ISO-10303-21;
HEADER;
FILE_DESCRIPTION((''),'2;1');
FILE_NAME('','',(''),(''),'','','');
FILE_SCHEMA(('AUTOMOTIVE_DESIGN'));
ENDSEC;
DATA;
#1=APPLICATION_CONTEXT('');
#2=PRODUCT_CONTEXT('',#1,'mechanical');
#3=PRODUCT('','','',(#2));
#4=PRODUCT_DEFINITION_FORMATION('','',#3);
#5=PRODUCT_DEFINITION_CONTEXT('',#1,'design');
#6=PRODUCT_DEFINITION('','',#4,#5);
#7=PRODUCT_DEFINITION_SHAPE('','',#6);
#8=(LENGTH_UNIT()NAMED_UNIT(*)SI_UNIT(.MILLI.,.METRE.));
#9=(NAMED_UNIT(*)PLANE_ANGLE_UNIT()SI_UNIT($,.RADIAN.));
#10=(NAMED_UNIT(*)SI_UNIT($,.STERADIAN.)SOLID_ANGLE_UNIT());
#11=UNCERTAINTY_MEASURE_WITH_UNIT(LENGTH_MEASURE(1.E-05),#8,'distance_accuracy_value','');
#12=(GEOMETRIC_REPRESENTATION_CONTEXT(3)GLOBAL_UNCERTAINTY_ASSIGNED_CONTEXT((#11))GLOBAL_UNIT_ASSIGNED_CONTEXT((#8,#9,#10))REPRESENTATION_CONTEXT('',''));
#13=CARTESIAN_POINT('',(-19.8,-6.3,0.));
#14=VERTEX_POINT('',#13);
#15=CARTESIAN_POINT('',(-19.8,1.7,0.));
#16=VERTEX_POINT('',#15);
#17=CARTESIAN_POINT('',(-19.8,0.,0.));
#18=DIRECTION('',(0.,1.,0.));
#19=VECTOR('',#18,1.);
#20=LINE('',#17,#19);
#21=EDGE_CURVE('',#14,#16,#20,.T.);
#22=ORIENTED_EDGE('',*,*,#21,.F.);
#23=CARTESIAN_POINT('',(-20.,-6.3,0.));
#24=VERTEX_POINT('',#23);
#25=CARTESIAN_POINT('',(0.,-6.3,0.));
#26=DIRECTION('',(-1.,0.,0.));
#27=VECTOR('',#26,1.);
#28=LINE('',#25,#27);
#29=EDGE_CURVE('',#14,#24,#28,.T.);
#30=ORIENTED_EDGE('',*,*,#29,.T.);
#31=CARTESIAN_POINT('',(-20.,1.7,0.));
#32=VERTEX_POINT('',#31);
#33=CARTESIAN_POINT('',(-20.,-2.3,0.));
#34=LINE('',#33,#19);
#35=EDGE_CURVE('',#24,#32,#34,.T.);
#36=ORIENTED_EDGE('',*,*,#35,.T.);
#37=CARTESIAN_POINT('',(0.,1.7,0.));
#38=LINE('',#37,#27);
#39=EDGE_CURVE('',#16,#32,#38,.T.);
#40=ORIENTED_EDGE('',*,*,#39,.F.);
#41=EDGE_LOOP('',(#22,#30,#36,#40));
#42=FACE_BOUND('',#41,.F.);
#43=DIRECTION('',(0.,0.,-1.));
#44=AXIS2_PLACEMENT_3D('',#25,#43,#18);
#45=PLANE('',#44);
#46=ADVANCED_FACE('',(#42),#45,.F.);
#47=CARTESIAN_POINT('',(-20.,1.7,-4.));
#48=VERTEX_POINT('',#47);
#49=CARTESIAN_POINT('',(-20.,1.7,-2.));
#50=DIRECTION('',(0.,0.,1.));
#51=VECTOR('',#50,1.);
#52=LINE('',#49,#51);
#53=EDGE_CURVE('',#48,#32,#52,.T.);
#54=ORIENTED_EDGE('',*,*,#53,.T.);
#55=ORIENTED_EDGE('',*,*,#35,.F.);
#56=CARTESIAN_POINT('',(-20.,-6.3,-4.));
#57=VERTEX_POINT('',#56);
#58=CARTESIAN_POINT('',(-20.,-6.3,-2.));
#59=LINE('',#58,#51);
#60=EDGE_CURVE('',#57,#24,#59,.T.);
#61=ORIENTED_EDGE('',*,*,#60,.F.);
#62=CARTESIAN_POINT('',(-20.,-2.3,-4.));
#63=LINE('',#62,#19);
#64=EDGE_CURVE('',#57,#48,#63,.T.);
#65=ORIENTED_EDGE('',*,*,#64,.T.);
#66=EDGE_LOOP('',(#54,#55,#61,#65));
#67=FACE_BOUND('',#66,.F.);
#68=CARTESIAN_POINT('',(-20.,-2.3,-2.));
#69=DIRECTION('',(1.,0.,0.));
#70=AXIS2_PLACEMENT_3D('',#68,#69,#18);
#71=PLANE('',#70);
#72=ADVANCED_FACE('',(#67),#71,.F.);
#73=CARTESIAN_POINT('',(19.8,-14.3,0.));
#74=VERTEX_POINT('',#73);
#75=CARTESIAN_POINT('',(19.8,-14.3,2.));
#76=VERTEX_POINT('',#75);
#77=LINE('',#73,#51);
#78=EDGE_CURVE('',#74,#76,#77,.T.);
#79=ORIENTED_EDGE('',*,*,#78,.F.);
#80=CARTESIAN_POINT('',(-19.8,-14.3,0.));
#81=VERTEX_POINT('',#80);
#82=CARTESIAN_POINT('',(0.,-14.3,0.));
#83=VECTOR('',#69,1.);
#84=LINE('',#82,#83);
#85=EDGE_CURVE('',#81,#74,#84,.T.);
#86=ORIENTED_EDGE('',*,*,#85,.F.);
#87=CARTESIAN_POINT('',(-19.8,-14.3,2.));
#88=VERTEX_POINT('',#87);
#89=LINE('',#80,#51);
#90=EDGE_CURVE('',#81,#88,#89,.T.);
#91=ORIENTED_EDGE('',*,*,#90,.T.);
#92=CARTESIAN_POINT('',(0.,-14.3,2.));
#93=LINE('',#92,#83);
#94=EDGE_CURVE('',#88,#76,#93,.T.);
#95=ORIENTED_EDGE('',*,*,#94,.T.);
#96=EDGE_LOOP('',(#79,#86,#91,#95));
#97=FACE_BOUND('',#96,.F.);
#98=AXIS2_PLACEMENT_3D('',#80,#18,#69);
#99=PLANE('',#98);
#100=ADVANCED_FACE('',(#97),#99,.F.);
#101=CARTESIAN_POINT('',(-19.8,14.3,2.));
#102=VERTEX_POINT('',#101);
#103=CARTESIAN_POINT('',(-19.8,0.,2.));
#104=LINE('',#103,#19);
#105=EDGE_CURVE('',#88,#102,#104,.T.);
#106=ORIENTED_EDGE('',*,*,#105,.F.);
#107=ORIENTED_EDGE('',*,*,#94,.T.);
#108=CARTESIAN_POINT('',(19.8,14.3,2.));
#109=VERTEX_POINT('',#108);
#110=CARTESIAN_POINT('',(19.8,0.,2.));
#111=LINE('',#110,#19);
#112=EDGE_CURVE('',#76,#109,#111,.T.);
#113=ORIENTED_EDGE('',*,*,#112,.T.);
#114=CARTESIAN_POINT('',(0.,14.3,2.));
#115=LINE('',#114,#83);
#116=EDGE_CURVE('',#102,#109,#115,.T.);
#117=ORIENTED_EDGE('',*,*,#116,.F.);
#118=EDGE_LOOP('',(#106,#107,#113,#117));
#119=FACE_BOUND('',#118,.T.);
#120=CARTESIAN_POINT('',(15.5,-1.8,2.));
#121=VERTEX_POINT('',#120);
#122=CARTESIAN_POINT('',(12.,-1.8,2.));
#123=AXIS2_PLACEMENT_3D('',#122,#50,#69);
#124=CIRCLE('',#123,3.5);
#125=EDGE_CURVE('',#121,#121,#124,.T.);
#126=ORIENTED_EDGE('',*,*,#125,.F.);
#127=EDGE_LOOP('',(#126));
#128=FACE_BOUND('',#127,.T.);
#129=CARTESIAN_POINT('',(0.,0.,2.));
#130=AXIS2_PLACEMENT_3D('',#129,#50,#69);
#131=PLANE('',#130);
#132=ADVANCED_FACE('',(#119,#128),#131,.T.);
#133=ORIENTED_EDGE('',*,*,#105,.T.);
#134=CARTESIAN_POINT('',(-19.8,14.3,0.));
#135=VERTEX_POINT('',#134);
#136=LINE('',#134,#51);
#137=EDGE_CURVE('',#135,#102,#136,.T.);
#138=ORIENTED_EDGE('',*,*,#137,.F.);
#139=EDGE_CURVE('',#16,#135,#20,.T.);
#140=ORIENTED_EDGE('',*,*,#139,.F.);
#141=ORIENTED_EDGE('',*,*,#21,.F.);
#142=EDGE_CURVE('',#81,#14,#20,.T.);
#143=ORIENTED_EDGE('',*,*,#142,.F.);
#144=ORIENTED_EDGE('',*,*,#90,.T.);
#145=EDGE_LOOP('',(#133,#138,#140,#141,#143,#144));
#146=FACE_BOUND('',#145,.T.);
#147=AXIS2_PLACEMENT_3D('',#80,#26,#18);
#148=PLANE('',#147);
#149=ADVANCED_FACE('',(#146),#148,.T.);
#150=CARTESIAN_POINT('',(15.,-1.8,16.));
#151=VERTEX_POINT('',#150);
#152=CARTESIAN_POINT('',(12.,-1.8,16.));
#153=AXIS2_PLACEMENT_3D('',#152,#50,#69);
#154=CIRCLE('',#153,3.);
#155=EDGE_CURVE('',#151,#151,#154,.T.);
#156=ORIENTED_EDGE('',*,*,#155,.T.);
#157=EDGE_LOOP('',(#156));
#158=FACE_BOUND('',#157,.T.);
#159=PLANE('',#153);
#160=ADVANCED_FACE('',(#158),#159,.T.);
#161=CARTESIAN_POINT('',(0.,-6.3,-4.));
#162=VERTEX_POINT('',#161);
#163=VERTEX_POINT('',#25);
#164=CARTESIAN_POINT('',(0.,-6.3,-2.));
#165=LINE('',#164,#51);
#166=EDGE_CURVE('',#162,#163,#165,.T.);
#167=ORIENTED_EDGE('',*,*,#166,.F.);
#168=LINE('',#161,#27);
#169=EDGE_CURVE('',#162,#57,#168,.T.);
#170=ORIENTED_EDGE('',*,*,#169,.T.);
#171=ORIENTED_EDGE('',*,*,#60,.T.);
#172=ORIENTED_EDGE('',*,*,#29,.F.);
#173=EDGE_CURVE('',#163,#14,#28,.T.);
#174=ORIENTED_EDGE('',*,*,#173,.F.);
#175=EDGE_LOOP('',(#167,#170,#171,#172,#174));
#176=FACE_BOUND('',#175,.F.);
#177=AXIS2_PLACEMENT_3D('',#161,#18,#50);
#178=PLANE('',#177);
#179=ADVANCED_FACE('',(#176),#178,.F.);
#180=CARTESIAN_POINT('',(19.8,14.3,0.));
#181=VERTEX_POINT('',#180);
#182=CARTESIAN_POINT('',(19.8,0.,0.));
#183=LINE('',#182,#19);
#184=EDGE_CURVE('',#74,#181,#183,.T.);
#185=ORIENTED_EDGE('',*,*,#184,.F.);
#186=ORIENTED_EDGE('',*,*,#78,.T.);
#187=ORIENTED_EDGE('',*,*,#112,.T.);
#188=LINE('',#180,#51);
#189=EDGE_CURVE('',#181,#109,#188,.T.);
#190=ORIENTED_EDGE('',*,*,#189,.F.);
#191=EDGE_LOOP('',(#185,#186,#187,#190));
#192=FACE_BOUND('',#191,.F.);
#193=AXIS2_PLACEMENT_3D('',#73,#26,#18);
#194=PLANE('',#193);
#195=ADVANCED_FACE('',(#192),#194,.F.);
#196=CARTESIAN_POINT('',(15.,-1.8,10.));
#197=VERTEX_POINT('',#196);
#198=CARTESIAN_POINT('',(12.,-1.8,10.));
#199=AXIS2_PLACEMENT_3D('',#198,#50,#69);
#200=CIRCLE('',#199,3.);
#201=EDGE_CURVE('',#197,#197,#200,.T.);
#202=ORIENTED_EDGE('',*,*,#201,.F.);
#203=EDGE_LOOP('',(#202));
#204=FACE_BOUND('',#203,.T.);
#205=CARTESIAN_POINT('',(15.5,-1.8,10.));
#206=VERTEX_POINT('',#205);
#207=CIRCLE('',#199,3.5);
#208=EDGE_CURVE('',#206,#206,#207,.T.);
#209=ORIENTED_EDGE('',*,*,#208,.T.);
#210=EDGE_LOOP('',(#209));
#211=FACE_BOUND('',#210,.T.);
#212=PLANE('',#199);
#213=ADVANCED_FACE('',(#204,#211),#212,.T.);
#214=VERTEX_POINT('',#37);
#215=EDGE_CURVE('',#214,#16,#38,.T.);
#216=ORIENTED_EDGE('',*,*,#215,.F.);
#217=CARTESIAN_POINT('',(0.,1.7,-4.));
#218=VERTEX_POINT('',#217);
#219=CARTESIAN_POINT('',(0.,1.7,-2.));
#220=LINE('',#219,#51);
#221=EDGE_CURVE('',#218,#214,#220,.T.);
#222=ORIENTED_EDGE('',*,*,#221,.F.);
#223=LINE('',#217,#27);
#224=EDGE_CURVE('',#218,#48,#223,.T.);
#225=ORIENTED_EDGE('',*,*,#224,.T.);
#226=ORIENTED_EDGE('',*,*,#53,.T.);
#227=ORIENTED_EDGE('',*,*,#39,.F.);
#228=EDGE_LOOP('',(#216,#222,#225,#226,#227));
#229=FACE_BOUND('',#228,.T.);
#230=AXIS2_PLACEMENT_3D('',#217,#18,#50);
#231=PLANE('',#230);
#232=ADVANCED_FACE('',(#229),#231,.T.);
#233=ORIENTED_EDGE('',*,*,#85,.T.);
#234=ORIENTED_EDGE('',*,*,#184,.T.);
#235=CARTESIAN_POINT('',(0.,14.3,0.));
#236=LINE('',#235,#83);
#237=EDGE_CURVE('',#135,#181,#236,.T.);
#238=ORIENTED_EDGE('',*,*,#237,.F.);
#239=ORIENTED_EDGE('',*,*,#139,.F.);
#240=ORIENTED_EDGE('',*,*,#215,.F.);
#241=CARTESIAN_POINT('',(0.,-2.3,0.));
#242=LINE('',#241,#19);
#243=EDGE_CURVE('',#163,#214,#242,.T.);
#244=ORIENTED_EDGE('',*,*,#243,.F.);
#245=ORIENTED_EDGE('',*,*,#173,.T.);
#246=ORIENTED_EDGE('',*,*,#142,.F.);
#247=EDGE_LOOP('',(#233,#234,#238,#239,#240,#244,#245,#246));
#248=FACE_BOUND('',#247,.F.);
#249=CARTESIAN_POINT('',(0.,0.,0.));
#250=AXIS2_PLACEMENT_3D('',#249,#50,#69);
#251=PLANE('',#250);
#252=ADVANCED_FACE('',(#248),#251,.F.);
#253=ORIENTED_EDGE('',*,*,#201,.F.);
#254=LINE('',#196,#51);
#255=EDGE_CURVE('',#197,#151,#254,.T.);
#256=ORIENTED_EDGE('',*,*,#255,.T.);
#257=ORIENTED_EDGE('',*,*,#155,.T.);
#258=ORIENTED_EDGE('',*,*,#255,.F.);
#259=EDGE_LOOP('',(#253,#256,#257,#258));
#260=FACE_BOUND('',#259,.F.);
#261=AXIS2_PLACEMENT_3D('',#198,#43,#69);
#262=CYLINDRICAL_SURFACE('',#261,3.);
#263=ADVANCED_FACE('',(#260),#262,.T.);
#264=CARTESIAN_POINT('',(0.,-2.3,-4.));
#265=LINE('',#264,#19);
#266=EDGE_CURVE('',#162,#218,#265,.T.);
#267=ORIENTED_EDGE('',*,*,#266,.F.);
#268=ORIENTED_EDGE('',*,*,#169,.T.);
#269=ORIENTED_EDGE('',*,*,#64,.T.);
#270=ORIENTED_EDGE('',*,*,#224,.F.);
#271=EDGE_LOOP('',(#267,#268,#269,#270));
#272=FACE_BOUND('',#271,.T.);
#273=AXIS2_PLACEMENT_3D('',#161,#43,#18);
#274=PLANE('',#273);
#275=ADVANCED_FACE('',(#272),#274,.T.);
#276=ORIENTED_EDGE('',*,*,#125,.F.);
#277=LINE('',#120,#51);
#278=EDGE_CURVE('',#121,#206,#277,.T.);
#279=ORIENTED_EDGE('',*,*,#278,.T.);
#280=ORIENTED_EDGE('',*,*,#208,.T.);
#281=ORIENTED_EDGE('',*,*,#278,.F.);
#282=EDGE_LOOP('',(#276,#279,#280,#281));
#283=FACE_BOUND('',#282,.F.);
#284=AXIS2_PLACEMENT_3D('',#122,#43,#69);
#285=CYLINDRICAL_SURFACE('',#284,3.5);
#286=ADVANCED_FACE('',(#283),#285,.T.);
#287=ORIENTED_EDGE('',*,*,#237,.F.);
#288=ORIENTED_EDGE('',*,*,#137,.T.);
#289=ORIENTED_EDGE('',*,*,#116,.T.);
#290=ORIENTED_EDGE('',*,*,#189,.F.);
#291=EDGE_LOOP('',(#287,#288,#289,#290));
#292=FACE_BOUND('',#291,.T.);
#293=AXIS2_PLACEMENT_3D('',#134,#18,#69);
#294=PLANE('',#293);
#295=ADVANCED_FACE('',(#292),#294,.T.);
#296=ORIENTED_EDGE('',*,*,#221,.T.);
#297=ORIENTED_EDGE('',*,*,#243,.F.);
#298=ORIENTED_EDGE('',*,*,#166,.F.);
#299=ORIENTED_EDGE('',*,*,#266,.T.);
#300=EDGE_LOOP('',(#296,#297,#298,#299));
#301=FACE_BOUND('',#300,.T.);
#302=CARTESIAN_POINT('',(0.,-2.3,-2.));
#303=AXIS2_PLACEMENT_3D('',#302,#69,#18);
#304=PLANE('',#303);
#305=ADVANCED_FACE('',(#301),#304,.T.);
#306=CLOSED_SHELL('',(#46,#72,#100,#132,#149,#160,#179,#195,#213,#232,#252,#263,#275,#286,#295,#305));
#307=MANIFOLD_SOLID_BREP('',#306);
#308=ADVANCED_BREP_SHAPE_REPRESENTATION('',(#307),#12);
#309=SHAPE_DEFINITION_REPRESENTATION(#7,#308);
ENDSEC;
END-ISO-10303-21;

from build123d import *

# Parameters (mm, degrees)
F0_W     = 39.6
F0_H     = 28.6
F1_DEPTH = 2
F2_W     = 8
F2_H     = 4
F3_DEPTH = 20
F4_R     = 3.5
F5_DEPTH = 8
F6_R     = 3
F7_DEPTH = 6


with BuildPart() as f1:
    # F0 (on Top) → F1 (new body)
    with BuildSketch(Plane.XY):
        Rectangle(F0_W, F0_H)
    extrude(amount=F1_DEPTH)

    # F2 (on Right) → F3 (join)
    with BuildSketch(Plane.YZ):
        with Locations((-2.3, -2)):
            Rectangle(F2_W, F2_H)
    extrude(amount=-F3_DEPTH)

    # F4 (on face) → F5 (join)
    with BuildSketch(Plane.XY.offset(2)):
        with Locations((12, -1.8)):
            Circle(F4_R)
    extrude(amount=F5_DEPTH)

    # F6 (on face) → F7 (join)
    with BuildSketch(Plane.XY.offset(10)):
        with Locations((12, -1.8)):
            Circle(F6_R)
    extrude(amount=F7_DEPTH)


solid = f1.part
